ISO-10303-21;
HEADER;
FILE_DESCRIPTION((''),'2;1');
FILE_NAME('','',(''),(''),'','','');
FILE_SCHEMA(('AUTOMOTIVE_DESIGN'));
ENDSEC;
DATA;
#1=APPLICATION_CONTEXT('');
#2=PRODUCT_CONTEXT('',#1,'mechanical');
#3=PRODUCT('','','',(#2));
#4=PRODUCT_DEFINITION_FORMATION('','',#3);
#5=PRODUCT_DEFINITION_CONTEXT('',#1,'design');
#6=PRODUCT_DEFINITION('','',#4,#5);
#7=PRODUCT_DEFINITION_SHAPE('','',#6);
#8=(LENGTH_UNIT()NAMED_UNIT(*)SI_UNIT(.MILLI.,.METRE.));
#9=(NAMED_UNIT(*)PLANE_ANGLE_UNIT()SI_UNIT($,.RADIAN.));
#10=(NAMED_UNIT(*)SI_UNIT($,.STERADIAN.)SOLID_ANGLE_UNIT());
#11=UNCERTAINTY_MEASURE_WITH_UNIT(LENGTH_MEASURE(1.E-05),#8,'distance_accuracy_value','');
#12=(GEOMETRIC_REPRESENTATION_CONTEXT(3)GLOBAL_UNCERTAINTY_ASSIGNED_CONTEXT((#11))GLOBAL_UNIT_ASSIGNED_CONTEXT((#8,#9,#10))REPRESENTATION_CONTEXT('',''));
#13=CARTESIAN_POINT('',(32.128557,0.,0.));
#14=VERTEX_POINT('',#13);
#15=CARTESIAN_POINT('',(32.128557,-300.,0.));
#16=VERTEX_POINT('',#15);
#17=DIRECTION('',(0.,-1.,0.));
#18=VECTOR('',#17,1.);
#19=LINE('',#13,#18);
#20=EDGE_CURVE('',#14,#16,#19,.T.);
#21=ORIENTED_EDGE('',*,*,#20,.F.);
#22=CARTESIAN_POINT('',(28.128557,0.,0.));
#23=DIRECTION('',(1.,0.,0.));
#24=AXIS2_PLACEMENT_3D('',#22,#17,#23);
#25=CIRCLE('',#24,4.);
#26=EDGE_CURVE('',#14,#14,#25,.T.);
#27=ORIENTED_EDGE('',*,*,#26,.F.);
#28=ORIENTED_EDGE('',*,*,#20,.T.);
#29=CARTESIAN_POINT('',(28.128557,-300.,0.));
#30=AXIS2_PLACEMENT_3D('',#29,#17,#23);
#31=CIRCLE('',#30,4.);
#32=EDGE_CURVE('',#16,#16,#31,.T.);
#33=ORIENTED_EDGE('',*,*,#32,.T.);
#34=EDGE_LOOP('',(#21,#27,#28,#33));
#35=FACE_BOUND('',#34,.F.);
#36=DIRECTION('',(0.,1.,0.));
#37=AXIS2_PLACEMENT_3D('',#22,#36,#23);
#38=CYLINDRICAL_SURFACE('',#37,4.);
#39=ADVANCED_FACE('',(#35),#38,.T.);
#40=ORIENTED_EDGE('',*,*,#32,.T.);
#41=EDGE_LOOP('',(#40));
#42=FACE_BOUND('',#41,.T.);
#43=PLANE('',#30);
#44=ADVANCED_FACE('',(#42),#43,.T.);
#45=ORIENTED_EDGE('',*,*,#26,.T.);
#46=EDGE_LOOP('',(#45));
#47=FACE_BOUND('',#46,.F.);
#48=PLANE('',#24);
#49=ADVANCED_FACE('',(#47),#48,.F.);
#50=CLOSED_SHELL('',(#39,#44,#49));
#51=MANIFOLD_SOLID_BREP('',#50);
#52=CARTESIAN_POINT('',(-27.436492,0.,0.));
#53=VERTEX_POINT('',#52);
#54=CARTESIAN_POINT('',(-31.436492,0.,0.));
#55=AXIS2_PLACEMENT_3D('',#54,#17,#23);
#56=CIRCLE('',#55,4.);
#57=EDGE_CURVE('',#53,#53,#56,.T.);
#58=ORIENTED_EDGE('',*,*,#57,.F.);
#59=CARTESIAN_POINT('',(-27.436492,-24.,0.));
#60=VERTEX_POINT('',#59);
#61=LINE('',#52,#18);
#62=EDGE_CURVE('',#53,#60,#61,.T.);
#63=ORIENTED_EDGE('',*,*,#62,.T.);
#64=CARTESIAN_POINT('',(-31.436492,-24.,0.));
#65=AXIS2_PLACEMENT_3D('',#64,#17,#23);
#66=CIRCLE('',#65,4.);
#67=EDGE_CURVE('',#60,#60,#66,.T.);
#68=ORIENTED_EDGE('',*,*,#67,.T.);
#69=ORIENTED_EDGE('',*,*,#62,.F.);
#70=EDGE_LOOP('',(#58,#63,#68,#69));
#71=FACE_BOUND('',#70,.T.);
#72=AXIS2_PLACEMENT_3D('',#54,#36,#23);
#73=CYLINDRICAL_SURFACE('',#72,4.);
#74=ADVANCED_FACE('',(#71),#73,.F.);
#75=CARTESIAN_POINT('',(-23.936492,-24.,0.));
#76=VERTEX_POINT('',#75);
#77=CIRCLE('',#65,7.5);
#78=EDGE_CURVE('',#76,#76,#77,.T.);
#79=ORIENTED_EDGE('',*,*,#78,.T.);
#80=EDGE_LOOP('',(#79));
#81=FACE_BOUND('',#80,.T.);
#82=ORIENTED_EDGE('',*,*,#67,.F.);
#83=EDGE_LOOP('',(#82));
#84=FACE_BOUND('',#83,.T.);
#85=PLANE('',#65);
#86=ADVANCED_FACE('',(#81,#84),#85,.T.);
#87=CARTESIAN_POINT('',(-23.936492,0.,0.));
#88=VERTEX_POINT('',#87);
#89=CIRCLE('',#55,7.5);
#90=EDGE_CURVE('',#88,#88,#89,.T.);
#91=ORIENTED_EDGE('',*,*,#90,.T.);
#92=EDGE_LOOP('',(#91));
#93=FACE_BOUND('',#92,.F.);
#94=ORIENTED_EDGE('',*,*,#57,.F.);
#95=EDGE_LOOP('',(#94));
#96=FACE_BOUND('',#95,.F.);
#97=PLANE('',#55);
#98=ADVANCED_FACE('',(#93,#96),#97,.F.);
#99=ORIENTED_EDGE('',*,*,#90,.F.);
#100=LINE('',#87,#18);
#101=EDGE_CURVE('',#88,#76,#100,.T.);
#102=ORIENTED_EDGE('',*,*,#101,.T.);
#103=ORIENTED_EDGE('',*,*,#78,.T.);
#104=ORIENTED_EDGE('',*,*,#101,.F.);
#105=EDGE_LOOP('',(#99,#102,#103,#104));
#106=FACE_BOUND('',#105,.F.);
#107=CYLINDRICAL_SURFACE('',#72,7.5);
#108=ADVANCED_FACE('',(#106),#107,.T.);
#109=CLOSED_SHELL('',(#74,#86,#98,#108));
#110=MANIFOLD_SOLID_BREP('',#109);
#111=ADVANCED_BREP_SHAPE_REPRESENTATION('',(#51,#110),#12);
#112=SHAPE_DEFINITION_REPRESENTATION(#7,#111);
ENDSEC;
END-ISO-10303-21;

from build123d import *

# Parameters (mm, degrees)
F0_R     = 7.5
F0_R_2   = 4
F1_DEPTH = 24
F2_DEPTH = 300


with BuildPart() as f1:
    # F0 (on Front) → F1 (new body)
    with BuildSketch(Plane.XZ):
        with Locations((-31.436492, 0)):
            Circle(F0_R)
        with Locations((-31.436492, 0)):
            Circle(F0_R_2, mode=Mode.SUBTRACT)
    extrude(amount=F1_DEPTH)


with BuildPart() as f2:
    # F0 (on Front) → F2 (new body)
    with BuildSketch(Plane.XZ):
        with Locations((28.128557, 0)):
            Circle(F0_R_2)
    extrude(amount=F2_DEPTH)


solid = Compound([f1.part, f2.part])
